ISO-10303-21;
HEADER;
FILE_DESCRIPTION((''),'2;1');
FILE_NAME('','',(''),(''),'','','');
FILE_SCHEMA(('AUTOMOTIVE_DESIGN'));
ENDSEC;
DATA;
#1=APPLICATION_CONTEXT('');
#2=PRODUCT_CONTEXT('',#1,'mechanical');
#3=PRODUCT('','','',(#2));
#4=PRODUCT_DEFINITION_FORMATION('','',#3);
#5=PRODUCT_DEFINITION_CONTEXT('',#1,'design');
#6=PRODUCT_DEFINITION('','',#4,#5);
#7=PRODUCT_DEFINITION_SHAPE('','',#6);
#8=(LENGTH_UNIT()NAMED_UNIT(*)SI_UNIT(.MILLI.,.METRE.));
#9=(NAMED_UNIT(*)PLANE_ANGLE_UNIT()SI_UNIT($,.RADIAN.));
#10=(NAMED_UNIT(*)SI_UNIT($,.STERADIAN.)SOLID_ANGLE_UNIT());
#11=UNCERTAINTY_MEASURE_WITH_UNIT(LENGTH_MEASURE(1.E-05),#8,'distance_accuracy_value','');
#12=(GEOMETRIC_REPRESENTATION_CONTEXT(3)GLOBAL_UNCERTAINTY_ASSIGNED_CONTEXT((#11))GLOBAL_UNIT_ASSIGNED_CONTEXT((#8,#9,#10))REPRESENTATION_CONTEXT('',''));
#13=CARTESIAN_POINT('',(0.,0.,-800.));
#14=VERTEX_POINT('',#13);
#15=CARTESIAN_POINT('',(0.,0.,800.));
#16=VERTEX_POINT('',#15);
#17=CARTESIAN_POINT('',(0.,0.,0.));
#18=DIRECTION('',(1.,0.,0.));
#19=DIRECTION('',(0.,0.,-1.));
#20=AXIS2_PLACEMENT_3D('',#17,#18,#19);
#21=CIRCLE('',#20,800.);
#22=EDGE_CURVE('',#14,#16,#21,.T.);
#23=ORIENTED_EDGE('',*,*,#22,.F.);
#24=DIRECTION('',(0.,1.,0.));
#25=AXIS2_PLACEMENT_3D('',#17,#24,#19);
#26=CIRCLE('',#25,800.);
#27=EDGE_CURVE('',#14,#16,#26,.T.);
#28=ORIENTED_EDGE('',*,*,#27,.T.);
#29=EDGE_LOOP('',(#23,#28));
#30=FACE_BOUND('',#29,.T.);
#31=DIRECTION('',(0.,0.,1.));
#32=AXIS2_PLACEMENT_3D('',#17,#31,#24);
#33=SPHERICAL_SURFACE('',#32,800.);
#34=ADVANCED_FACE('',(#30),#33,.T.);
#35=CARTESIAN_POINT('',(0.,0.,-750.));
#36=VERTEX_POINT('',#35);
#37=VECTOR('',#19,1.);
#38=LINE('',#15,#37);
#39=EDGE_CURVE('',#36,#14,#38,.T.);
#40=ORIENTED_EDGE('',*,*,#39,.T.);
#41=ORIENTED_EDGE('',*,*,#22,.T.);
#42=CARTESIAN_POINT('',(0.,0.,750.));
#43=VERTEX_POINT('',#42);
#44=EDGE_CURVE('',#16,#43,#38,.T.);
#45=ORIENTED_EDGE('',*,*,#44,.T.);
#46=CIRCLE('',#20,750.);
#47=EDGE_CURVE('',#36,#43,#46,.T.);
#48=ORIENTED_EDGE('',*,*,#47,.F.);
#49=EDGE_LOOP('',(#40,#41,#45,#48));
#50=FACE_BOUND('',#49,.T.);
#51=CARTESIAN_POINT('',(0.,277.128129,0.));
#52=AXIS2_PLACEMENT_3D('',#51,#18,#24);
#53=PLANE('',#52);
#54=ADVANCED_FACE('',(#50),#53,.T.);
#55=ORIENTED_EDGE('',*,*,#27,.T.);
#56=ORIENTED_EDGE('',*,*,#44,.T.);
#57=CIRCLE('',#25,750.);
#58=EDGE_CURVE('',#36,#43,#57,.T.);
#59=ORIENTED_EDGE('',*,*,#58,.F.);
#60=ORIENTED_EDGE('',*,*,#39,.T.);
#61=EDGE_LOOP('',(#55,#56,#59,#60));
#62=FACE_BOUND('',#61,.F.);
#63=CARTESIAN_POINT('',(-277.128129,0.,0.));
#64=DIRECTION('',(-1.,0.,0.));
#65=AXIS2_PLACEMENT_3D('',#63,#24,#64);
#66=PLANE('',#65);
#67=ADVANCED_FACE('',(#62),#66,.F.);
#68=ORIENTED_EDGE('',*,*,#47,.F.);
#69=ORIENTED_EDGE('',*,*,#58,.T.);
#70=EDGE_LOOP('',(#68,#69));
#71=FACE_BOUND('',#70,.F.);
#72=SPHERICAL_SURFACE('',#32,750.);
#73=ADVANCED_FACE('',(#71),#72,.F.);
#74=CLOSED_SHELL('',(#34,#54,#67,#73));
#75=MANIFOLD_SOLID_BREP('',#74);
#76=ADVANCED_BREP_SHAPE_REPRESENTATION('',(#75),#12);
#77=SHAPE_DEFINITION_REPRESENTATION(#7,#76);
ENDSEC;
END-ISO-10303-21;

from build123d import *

# Parameters (mm, degrees)
SPHERE001_ANGLE           = 90
SPHERE001_PLACEMENT_ANGLE = 90
SPHERE_ANGLE              = 90
SPHERE_PLACEMENT_ANGLE    = 90


with BuildPart() as sphere001:
    # Sphere001 → Sphere001 (revolve)
    with BuildSketch(Plane.XZ):
        with BuildLine():
            ThreePointArc((0, -750), (750, 0), (0, 750))
            Line((0, 750), (0, -750))
        make_face()
    revolve(axis=Axis((0, 0, 0), (0, 0, 1)), revolution_arc=SPHERE001_ANGLE)


with BuildPart() as sphere001_1:
    # Sphere001 placement: moved
    add(sphere001.part.rotate(Axis((0, 0, 0), (0, 0, 1)), SPHERE001_PLACEMENT_ANGLE))


with BuildPart() as cut:
    # Sphere → Sphere (revolve)
    with BuildSketch(Plane.XZ):
        with BuildLine():
            ThreePointArc((0, -800), (800, 0), (0, 800))
            Line((0, 800), (0, -800))
        make_face()
    revolve(axis=Axis((0, 0, 0), (0, 0, 1)), revolution_arc=SPHERE_ANGLE)


with BuildPart() as cut_1:
    # Sphere placement: moved
    add(cut.part.rotate(Axis((0, 0, 0), (0, 0, 1)), SPHERE_PLACEMENT_ANGLE))

    # Cut: cut Sphere001
    add(sphere001_1.part, mode=Mode.SUBTRACT)


solid = cut_1.part
